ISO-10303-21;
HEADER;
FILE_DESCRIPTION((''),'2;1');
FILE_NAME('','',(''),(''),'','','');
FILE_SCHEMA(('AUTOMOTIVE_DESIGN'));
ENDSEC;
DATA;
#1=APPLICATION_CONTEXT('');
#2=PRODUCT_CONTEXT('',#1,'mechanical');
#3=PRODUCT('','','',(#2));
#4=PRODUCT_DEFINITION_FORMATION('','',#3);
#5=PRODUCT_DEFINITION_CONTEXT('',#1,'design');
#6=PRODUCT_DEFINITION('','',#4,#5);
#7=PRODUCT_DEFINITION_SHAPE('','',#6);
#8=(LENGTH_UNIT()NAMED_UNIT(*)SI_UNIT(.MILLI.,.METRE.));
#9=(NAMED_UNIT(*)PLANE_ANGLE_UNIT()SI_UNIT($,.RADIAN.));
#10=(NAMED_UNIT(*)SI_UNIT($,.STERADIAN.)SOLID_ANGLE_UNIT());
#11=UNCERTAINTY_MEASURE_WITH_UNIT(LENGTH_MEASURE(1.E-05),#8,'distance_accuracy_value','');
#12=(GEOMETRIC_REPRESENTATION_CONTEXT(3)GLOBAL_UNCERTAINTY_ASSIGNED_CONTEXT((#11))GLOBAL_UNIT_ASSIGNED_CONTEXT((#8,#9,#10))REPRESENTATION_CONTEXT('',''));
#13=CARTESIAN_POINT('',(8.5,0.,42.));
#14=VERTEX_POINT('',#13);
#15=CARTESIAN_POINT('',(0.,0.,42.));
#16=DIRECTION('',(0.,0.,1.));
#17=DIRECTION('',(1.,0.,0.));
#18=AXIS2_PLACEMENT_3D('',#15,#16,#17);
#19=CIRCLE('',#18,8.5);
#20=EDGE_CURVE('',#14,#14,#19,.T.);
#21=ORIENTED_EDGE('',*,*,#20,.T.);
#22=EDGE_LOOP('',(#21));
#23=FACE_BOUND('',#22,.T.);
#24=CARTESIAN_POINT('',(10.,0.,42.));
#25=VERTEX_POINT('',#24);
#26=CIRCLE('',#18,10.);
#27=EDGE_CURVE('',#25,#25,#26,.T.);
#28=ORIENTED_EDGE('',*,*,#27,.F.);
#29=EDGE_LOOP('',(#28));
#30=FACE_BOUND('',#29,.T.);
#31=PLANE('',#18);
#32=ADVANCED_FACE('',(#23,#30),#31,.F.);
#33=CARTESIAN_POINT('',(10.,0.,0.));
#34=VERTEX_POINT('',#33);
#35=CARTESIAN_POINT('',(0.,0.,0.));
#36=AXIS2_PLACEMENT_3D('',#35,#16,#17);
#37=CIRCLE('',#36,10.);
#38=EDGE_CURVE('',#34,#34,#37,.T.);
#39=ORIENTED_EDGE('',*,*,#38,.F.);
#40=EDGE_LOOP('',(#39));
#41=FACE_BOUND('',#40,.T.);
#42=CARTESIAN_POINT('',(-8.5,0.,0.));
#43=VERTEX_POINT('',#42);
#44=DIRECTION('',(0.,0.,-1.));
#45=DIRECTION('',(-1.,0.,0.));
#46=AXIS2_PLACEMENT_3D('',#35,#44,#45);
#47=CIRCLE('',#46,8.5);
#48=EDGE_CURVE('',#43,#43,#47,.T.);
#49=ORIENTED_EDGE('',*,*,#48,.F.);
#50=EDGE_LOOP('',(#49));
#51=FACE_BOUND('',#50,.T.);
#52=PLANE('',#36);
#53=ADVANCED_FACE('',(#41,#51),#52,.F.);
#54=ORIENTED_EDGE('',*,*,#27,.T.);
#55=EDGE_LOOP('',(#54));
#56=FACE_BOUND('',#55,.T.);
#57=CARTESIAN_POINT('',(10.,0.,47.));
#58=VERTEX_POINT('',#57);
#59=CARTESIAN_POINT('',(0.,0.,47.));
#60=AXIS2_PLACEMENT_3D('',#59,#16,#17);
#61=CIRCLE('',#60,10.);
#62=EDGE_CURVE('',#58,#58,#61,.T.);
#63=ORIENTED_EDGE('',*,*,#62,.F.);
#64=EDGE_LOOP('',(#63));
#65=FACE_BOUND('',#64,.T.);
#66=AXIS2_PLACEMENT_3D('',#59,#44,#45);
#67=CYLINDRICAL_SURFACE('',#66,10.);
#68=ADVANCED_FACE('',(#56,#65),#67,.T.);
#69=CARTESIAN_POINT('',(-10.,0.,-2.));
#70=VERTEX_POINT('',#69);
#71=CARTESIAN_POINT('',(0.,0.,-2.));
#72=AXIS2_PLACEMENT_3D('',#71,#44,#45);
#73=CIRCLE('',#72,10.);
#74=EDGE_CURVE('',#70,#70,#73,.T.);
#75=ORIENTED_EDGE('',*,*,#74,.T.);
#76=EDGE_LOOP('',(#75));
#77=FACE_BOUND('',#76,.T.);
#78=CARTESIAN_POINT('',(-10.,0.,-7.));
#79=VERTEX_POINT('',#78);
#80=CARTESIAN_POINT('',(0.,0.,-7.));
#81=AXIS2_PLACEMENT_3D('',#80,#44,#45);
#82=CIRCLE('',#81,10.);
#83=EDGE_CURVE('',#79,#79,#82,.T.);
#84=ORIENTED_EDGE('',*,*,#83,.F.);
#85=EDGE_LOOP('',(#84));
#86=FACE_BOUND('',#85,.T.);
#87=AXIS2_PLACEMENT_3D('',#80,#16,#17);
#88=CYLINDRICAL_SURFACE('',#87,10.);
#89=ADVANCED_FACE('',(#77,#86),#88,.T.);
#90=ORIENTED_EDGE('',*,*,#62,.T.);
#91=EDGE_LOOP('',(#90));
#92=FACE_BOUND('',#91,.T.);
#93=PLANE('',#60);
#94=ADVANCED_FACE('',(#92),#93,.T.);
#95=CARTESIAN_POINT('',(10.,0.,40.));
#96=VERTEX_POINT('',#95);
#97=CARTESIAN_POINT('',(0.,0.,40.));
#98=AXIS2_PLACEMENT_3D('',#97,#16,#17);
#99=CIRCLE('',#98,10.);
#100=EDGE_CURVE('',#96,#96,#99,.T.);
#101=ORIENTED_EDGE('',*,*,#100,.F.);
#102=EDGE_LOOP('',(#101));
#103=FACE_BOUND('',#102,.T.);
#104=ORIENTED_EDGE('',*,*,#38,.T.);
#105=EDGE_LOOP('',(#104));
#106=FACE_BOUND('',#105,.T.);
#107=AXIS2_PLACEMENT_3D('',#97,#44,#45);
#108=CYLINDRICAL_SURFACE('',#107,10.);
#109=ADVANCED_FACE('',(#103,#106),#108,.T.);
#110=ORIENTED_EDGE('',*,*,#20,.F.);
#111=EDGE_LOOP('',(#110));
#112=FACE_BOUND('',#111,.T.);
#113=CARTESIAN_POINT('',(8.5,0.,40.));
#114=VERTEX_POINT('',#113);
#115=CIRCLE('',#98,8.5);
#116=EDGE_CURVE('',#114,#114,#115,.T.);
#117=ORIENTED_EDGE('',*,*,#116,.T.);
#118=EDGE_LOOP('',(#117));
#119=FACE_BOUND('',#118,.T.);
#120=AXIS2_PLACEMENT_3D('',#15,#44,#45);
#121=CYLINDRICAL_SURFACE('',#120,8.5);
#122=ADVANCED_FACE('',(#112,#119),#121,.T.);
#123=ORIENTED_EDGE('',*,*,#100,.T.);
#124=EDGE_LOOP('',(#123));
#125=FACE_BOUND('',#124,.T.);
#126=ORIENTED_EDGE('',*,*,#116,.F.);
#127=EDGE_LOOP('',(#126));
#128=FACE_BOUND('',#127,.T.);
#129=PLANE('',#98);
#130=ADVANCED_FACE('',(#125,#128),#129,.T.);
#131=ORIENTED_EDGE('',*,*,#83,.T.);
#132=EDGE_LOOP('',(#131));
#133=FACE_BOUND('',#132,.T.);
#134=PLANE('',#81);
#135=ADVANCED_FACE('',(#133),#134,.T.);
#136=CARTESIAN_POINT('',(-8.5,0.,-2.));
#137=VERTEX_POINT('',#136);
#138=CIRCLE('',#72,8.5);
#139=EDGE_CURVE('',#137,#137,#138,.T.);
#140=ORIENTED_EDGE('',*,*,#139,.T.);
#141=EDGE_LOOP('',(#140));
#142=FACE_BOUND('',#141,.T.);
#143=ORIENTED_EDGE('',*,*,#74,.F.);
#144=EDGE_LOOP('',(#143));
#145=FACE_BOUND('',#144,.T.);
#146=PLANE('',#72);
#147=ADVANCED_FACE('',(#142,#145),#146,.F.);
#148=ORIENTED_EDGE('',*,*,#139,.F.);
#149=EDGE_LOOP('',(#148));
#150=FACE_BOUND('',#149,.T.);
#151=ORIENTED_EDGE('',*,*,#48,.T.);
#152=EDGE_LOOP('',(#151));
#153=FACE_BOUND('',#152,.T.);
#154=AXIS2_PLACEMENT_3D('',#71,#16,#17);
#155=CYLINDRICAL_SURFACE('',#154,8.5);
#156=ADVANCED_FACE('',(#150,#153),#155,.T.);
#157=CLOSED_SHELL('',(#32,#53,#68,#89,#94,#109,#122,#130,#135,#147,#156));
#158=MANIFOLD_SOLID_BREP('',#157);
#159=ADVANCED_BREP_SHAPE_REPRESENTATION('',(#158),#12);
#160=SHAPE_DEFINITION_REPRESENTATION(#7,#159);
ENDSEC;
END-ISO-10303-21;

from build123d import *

# Parameters (mm, degrees)
SKETCH1_R           = 10
BOSS_EXTRUDE1_DEPTH = 40
SKETCH2_R           = 8.5
BOSS_EXTRUDE2_DEPTH = 2
SKETCH4_R           = 10
BOSS_EXTRUDE3_DEPTH = 5
BOSS_EXTRUDE4_START = 2
SKETCH5_R           = 8.5
BOSS_EXTRUDE4_DEPTH = 2
BOSS_EXTRUDE5_START = 5
SKETCH6_R           = 10
BOSS_EXTRUDE5_DEPTH = 5


with BuildPart() as part:
    # Sketch1 → Boss-Extrude1 (new body)
    with BuildSketch(Plane.XY):
        Circle(SKETCH1_R)
    extrude(amount=BOSS_EXTRUDE1_DEPTH)

    # Sketch2 → Boss-Extrude2 (add)
    with BuildSketch(Plane.XY.offset(40)):
        Circle(SKETCH2_R)
    extrude(amount=BOSS_EXTRUDE2_DEPTH)

    # Sketch4 → Boss-Extrude3 (add)
    with BuildSketch(Plane.XY.offset(42)):
        Circle(SKETCH4_R)
    extrude(amount=BOSS_EXTRUDE3_DEPTH)

    # Sketch5 → Boss-Extrude4 (add)
    with BuildSketch(Plane(origin=(0, 0, 0), x_dir=(-1, 0, 0), z_dir=(0, 0, -1)).offset(BOSS_EXTRUDE4_START)):
        with Locations(Location((0, 0, 0), (0, 0, 180))):
            Circle(SKETCH5_R)
    extrude(amount=-BOSS_EXTRUDE4_DEPTH)

    # Sketch6 → Boss-Extrude5 (add)
    with BuildSketch(Plane(origin=(0, 0, -2), x_dir=(-1, 0, 0), z_dir=(0, 0, -1)).offset(BOSS_EXTRUDE5_START)):
        with Locations(Location((0, 0, 0), (0, 0, 180))):
            Circle(SKETCH6_R)
    extrude(amount=-BOSS_EXTRUDE5_DEPTH)


solid = part.part
